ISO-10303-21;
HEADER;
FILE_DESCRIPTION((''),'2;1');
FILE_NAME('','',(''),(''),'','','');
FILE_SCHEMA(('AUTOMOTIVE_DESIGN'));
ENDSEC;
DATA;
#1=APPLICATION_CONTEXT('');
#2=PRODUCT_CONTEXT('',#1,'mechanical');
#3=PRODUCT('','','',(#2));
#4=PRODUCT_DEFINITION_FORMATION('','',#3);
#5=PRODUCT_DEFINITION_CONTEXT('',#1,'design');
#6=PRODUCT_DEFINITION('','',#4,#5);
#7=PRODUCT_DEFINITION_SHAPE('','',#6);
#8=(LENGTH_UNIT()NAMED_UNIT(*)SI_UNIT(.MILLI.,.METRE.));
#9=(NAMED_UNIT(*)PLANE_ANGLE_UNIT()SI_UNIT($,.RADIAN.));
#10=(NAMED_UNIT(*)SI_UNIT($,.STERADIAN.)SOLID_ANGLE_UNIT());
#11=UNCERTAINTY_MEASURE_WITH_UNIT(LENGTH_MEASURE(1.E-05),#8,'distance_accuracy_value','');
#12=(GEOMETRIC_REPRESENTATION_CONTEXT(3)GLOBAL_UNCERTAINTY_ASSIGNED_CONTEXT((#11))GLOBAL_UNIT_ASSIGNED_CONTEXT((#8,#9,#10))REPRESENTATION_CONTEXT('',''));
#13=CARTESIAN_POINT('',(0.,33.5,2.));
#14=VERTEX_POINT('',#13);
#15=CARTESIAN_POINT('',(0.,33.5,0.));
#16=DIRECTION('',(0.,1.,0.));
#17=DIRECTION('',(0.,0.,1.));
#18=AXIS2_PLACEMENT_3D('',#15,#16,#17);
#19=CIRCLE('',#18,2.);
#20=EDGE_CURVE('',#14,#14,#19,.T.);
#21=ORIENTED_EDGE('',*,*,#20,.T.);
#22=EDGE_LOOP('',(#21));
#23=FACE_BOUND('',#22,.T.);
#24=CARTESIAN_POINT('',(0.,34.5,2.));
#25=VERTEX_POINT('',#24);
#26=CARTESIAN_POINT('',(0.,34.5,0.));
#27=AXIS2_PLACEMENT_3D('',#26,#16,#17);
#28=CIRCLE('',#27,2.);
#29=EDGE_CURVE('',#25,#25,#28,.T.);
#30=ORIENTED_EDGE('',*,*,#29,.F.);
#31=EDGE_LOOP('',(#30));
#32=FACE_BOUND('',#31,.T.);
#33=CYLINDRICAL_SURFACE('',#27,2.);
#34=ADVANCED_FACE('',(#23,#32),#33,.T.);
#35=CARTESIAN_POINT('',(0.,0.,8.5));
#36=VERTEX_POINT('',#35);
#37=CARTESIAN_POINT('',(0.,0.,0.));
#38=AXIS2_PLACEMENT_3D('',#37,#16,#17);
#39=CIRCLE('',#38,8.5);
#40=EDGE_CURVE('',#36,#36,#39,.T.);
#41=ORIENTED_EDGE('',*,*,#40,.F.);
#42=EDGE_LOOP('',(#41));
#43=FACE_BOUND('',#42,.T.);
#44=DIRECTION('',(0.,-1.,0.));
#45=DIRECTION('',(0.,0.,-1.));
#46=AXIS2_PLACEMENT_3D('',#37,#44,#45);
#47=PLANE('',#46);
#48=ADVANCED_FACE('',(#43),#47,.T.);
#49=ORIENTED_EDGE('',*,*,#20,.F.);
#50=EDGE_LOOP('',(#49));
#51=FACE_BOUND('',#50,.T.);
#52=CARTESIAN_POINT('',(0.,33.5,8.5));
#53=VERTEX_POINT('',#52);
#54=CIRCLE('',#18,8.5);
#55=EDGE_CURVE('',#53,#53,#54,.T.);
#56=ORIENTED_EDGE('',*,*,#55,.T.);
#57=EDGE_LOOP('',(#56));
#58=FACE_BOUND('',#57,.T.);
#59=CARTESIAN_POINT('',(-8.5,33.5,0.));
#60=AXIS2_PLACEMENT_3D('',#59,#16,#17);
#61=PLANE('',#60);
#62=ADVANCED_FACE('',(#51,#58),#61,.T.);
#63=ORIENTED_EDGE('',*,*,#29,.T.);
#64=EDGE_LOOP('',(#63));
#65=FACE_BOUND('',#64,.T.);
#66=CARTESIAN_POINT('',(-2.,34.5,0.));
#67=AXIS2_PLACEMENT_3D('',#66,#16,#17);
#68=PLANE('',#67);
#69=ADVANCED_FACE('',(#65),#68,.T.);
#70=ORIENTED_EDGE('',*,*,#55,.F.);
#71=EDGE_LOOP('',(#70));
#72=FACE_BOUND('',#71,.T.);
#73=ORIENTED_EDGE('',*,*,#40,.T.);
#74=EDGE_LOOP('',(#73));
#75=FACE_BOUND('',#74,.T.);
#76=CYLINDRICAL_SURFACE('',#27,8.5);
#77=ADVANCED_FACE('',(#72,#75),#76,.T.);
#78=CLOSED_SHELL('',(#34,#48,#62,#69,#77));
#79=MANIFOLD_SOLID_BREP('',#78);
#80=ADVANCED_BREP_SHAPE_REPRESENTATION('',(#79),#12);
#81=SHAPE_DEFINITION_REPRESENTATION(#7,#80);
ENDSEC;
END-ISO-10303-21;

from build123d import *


with BuildPart() as part:
    # Sketch1 → Revolve1 (revolve)
    with BuildSketch(Plane.XY):
        Polygon((0, 0), (-8.5, 0), (-8.5, 33.5), (-2, 33.5), (-2, 34.5), (0, 34.5), align=None)
    revolve(axis=Axis((0, 34.5, 0), (0, -1, 0)))


solid = part.part
